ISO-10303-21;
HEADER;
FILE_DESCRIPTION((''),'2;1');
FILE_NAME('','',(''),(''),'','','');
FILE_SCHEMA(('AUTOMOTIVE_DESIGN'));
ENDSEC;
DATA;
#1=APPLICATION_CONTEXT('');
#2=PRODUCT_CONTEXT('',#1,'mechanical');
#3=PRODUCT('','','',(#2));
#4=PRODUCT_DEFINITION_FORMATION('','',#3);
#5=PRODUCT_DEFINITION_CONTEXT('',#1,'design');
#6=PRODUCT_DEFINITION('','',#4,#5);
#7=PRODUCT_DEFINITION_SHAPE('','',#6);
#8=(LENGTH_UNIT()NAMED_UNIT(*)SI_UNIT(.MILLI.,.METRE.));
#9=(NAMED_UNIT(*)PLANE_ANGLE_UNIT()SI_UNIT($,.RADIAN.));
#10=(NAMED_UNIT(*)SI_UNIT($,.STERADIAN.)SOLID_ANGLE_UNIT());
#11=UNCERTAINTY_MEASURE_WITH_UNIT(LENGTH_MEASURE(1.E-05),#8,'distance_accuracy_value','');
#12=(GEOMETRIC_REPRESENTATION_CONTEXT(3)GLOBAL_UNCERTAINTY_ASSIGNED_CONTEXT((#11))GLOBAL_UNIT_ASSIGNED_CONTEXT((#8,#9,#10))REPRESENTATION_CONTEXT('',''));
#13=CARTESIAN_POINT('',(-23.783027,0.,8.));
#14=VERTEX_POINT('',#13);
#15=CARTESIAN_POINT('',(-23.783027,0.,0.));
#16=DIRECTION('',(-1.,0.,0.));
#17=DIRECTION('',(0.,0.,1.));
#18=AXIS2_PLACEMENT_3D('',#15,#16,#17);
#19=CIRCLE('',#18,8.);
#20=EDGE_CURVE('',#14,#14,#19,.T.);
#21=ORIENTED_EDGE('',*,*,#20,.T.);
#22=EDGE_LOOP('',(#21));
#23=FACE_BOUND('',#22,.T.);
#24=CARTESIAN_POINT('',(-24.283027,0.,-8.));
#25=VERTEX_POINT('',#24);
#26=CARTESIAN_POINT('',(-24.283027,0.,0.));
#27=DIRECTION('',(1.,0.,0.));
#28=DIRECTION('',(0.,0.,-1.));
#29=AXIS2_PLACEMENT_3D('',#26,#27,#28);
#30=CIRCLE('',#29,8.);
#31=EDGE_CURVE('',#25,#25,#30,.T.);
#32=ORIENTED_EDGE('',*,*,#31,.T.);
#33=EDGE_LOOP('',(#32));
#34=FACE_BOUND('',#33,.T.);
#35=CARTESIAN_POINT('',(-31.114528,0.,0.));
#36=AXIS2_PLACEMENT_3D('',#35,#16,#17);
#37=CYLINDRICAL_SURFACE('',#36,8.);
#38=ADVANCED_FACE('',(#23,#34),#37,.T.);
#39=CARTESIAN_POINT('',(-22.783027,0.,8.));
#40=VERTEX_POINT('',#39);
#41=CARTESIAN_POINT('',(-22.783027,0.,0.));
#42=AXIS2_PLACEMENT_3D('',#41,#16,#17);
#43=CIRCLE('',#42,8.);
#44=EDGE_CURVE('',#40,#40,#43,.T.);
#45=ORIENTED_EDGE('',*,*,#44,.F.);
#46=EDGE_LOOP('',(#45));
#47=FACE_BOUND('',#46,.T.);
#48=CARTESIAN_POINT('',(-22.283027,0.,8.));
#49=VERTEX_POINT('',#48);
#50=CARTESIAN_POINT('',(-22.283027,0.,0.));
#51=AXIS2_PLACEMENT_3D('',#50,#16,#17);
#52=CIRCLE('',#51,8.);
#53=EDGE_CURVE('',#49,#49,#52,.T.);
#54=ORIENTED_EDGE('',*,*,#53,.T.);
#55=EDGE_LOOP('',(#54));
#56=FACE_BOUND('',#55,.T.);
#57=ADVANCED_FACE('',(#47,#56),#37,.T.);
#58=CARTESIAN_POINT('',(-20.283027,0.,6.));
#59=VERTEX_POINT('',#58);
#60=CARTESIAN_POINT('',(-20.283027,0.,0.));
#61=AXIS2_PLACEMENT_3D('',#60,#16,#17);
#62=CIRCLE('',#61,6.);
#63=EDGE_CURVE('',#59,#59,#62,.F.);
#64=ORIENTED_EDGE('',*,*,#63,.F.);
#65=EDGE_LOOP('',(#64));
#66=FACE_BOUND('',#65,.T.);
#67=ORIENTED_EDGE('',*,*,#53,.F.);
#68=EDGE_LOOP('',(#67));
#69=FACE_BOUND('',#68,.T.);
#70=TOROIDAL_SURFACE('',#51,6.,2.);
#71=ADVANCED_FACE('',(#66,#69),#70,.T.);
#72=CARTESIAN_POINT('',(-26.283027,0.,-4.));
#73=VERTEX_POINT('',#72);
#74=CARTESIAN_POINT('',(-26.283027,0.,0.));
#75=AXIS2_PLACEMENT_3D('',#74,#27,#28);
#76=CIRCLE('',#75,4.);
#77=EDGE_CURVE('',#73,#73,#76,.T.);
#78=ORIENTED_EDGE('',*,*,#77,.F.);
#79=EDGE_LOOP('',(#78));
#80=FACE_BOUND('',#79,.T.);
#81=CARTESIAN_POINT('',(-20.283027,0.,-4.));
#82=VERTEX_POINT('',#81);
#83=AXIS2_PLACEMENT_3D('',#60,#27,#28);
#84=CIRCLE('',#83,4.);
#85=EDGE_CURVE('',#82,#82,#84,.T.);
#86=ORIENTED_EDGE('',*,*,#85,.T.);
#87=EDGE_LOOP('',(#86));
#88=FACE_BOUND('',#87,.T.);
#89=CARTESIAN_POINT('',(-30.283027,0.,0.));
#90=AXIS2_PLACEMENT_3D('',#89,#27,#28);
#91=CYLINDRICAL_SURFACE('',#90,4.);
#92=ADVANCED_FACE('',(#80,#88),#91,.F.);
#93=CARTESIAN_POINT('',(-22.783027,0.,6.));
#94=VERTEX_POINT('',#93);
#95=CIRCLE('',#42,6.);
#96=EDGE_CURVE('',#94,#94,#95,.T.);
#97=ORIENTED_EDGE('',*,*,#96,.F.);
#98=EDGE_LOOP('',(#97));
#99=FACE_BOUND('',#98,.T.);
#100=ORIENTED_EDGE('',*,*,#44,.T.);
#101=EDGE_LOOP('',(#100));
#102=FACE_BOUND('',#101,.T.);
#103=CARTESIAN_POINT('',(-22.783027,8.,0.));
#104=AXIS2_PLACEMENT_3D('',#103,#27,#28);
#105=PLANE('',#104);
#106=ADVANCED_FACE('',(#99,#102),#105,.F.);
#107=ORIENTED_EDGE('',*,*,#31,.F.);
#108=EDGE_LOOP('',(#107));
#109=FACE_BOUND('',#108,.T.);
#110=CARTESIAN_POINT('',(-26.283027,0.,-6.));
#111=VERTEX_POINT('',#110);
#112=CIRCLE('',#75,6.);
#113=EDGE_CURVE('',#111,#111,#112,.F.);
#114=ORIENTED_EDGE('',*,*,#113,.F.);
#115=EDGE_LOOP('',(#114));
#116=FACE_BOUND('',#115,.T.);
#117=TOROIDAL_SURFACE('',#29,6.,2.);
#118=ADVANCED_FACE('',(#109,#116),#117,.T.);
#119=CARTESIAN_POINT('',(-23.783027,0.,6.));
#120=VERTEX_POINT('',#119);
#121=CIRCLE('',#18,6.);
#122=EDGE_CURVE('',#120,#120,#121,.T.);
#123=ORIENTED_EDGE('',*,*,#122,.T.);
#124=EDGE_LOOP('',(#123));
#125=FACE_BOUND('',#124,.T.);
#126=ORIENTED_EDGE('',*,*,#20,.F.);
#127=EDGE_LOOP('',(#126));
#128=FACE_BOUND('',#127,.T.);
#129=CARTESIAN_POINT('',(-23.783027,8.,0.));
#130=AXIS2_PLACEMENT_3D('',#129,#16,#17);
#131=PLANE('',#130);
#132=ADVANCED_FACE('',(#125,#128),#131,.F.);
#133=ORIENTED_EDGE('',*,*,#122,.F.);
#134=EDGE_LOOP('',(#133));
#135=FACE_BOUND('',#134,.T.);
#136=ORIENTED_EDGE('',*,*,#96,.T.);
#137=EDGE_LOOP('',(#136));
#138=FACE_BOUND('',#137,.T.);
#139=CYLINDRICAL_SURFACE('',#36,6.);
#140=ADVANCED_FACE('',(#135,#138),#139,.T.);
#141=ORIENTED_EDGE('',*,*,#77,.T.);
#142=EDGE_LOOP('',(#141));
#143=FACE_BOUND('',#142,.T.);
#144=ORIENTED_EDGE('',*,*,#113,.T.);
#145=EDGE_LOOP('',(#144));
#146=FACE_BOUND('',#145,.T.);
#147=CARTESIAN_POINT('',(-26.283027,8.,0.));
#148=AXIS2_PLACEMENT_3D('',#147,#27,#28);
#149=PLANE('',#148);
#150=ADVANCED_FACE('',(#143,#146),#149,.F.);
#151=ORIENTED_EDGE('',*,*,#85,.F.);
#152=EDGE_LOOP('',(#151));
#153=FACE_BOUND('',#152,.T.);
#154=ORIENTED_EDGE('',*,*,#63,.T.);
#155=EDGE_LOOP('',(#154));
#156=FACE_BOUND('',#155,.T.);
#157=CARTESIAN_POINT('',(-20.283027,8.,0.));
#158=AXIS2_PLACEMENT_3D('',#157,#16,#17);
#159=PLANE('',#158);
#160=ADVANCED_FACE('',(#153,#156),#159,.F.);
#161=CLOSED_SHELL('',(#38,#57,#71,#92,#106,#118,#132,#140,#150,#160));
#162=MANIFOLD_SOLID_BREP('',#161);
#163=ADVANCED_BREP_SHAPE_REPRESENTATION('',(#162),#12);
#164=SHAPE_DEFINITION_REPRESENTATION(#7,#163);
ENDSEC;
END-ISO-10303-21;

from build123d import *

# Parameters (mm, degrees)
SKETCH_2_R          = 4
CUT_EXTRUDE_1_DEPTH = 10
FILLET_1_R          = 2


with BuildPart() as part:
    # Эскиз1 → Повернуть1 (revolve)
    with BuildSketch(Plane.XY, mode=Mode.PRIVATE) as revolve_1_sk:
        Polygon((-26.283026585, 8), (-26.283026585, 0), (-20.283026585, 0), (-20.283026585, 8), (-22.783026585, 8), (-22.783026585, 6), (-23.783026585, 6), (-23.783026585, 8), align=None)
    revolve(revolve_1_sk.sketch.rotate(Axis((-31.114528332, 0, 0), (1, 0, 0)), 90), axis=Axis((-31.114528332, 0, 0), (1, 0, 0)))

    # Эскиз2 → Вырез-Вытянуть1 (cut)
    with BuildSketch(Plane(origin=(-20.283026585, 0, 0), x_dir=(0, 0, -1), z_dir=(1, 0, 0))):
        Circle(SKETCH_2_R)
    extrude(amount=-CUT_EXTRUDE_1_DEPTH, mode=Mode.SUBTRACT)

    # Скругление1
    fillet_1_edges = [part.edges().sort_by_distance(p)[0] for p in [
        (-26.283026585, 0, -8),
        (-20.283026585, 0, -8),
    ]]
    fillet(fillet_1_edges, radius=FILLET_1_R)


solid = part.part
